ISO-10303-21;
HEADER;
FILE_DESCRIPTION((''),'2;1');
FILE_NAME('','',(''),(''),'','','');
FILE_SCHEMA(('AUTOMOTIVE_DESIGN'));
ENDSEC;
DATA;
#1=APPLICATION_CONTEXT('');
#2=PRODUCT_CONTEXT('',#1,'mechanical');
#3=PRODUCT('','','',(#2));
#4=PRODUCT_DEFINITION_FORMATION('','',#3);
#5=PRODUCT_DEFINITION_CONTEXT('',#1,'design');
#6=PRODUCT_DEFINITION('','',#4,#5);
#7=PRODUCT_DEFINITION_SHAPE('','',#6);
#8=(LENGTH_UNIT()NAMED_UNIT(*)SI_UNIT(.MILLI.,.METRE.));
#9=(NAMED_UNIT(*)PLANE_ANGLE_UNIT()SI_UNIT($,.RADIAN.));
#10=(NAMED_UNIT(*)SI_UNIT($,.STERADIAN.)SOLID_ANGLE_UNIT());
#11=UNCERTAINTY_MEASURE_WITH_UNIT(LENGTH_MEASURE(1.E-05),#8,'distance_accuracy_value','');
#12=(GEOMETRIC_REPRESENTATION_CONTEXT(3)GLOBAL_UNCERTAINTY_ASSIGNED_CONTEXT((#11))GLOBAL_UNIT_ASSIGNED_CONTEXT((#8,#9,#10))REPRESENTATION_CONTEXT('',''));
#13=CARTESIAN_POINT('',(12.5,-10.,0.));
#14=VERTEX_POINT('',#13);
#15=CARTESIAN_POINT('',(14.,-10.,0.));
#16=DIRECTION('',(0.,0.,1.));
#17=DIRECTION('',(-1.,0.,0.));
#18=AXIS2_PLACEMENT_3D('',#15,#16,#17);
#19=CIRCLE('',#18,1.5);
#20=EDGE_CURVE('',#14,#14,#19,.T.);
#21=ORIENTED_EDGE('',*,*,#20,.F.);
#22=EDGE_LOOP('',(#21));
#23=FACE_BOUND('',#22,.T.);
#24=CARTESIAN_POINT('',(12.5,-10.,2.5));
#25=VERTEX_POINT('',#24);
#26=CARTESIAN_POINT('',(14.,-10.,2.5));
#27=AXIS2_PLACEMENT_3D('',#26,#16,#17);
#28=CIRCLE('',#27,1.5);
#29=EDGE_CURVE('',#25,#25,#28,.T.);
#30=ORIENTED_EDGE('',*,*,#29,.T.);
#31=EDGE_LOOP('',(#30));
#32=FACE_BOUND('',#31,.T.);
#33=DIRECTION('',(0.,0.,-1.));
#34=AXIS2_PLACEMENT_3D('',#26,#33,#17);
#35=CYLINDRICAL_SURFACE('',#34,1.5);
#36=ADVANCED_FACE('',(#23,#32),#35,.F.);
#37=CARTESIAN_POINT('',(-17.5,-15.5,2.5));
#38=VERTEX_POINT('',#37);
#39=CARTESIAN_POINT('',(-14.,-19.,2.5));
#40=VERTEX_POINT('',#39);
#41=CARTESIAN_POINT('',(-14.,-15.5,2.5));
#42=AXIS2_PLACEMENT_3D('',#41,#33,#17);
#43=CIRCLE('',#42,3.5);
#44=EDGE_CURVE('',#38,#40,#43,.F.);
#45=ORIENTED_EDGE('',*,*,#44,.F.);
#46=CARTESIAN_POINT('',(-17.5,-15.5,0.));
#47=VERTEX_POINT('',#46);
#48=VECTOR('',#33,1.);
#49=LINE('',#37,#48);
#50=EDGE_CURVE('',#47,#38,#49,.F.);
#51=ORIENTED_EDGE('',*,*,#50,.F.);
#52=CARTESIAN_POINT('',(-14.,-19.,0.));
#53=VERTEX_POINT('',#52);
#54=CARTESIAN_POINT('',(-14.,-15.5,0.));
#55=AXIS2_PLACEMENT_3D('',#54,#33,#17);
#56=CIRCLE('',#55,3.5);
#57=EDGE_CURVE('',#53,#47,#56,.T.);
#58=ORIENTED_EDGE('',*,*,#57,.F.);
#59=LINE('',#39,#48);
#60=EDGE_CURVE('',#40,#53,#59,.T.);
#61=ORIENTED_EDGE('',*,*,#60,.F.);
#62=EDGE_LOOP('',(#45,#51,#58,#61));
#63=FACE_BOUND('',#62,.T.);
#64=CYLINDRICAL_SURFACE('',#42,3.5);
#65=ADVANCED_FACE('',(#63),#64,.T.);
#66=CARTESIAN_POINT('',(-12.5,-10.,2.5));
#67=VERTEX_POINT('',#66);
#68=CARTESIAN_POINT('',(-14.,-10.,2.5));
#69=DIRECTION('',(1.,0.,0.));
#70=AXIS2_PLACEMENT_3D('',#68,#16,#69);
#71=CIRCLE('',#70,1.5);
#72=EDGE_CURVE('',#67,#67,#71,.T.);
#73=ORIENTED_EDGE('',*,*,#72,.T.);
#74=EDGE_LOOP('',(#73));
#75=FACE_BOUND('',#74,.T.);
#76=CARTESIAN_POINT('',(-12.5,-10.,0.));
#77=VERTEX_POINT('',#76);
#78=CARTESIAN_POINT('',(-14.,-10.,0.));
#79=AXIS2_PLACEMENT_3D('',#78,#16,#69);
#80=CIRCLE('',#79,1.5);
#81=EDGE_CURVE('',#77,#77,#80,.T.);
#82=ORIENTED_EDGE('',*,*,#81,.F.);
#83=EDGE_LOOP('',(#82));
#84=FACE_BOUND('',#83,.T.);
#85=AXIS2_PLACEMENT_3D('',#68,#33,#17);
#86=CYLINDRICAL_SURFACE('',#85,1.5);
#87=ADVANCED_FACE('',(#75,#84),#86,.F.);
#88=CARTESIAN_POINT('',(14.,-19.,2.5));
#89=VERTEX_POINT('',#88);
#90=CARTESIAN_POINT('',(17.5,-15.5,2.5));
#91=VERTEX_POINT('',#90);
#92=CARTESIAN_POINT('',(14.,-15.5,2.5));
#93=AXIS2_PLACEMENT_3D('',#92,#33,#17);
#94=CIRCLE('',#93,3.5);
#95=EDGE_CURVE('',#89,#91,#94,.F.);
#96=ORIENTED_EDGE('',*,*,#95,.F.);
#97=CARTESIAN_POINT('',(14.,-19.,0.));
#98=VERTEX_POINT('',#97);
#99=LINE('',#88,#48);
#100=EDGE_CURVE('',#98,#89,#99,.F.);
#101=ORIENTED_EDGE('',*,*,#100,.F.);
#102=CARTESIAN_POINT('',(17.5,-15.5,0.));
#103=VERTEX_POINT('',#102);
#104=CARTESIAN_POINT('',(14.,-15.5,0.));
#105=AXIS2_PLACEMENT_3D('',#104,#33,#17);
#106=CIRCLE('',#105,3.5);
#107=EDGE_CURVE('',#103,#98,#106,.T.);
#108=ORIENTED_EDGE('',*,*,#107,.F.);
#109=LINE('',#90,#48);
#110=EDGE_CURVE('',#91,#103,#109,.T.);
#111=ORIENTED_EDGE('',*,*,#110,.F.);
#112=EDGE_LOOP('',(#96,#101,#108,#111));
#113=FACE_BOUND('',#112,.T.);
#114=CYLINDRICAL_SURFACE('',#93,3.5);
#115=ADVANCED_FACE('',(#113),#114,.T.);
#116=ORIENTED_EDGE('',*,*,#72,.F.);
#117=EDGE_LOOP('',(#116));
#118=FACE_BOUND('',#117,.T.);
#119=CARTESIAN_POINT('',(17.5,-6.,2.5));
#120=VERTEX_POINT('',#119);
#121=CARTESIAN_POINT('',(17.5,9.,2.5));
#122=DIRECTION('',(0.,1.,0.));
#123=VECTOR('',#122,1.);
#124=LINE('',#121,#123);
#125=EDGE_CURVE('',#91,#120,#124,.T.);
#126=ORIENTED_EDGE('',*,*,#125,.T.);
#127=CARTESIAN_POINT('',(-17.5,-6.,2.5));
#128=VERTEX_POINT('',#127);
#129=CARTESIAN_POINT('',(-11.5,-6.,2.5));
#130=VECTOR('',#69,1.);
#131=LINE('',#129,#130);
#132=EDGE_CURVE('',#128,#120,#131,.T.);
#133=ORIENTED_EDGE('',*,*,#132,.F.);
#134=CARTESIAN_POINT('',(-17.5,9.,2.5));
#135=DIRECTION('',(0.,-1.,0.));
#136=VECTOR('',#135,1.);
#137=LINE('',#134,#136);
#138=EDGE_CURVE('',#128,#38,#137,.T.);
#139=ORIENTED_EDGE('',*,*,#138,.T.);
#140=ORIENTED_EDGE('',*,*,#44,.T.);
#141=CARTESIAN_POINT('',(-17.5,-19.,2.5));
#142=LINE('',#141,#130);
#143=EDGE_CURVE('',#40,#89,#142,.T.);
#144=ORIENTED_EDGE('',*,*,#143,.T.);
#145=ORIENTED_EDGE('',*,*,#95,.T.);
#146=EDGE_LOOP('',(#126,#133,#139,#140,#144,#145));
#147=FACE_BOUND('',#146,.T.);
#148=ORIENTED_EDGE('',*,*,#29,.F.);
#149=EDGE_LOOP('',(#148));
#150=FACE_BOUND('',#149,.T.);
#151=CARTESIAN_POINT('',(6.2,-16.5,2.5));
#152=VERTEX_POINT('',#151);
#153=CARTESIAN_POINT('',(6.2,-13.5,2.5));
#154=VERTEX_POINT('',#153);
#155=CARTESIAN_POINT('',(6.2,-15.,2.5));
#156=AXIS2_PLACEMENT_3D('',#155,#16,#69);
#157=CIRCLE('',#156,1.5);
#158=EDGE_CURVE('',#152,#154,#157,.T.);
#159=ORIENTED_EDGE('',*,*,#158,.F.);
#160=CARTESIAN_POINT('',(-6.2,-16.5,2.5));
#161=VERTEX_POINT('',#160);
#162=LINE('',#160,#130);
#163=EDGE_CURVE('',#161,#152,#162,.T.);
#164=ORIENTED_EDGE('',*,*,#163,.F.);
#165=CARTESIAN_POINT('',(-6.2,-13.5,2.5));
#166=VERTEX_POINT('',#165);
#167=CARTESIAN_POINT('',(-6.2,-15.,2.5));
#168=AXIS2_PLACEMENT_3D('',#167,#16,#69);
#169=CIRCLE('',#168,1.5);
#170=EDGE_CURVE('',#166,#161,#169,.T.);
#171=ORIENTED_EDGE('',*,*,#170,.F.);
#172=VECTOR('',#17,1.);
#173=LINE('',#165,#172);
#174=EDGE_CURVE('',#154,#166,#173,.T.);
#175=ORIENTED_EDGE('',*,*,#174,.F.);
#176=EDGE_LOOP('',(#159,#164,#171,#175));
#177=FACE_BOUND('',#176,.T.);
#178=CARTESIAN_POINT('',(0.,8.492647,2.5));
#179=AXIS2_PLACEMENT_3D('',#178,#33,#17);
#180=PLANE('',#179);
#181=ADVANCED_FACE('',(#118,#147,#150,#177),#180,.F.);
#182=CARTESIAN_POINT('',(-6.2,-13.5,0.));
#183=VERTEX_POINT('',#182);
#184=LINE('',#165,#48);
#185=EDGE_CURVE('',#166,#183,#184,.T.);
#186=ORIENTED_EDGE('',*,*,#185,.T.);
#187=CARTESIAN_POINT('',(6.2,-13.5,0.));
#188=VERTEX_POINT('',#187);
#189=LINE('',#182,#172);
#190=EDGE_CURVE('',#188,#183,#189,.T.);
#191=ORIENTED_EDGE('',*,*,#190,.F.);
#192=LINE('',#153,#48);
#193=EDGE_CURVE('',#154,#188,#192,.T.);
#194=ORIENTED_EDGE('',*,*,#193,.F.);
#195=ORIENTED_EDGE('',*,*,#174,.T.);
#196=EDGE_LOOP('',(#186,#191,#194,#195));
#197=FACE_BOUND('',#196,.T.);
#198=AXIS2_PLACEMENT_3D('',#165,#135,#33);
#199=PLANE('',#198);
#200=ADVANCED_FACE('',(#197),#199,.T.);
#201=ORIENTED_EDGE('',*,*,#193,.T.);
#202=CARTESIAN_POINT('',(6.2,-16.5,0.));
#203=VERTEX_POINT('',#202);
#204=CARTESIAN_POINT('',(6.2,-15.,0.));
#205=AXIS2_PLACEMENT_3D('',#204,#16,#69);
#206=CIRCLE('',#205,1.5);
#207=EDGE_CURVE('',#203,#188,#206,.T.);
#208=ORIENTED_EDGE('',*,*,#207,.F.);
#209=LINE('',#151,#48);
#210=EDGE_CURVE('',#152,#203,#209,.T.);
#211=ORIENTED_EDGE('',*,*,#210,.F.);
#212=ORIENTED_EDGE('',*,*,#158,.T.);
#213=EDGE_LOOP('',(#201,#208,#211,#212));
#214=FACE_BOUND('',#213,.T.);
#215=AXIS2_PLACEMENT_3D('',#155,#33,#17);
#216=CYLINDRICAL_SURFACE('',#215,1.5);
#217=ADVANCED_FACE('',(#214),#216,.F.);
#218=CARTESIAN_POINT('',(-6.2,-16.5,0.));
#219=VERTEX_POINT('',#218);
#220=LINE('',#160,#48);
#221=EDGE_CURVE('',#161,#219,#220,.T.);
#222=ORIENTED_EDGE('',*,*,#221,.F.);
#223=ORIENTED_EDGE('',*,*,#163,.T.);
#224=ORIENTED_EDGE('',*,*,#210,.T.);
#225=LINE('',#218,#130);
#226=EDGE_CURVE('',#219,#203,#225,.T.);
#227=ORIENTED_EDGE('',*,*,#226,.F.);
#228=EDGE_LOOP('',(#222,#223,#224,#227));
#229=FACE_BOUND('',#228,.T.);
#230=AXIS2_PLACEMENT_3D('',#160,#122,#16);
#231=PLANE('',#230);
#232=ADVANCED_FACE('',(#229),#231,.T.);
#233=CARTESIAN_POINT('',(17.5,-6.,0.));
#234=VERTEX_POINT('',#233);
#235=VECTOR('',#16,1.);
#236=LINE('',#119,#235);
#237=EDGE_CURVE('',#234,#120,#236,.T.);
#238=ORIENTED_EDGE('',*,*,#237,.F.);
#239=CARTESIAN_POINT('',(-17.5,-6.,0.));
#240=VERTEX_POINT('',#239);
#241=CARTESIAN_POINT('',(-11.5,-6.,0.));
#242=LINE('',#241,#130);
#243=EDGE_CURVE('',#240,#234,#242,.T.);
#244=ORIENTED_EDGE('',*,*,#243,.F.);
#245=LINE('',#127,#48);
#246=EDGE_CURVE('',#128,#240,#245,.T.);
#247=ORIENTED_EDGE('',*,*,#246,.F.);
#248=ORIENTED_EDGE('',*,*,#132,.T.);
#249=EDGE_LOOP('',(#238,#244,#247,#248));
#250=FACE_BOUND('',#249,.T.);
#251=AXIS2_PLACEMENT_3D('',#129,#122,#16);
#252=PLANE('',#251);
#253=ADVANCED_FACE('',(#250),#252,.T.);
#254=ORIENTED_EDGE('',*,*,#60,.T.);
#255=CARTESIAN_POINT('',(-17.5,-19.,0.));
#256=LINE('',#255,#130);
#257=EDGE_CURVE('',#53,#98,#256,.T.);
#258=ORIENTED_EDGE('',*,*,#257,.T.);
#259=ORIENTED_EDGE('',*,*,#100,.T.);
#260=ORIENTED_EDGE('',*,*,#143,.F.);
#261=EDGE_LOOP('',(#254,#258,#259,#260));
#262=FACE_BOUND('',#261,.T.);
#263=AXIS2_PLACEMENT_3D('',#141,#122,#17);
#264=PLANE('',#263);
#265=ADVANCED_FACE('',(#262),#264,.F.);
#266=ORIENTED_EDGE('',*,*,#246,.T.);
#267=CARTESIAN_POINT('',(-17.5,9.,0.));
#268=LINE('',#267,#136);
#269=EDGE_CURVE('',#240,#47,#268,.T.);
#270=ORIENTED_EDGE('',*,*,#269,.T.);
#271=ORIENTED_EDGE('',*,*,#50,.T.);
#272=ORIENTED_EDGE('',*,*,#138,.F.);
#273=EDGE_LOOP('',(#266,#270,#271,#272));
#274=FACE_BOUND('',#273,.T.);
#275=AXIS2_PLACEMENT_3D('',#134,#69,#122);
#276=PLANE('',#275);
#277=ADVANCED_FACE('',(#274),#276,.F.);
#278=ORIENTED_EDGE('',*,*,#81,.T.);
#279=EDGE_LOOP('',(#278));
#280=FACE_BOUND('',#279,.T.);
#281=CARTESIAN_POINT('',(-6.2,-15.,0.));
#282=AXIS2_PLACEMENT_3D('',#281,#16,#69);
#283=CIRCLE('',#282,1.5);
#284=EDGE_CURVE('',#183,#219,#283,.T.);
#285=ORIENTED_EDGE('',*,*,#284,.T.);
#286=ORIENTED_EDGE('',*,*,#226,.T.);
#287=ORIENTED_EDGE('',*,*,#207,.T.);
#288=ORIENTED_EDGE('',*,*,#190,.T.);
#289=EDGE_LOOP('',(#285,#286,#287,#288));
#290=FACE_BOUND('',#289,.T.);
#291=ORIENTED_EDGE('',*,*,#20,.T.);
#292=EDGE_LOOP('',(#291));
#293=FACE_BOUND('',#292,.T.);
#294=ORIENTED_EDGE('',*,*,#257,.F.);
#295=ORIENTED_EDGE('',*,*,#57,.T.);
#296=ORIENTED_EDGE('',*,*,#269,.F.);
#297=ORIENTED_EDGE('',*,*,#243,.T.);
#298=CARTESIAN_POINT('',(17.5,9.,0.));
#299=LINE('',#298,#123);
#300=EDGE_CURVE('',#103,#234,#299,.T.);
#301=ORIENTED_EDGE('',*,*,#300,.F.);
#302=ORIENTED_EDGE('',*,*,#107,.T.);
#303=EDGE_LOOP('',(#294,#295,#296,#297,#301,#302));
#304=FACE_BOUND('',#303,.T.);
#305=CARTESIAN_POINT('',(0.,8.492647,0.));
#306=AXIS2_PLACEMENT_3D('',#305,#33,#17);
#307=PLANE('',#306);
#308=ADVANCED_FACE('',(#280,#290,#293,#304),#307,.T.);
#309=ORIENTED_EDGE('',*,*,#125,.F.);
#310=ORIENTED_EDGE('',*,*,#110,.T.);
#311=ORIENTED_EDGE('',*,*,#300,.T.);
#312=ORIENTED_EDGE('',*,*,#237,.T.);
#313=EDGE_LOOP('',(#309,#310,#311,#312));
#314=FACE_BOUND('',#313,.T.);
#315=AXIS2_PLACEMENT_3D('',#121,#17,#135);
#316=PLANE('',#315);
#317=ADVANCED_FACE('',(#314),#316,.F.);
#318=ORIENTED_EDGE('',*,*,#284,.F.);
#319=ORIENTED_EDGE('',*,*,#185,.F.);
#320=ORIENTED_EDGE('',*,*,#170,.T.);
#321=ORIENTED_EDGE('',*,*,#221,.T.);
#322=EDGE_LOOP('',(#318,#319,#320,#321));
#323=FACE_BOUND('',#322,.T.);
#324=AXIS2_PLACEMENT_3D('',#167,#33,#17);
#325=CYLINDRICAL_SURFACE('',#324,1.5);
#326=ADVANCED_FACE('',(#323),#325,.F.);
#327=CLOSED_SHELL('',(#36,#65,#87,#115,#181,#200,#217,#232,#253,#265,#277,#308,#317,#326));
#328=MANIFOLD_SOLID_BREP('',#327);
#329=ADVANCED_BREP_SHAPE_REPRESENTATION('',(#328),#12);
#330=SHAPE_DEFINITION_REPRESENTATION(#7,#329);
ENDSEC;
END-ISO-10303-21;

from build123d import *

# Parameters (mm, degrees)
SKETCH1_R           = 1
SKETCH1_R_2         = 1.5
SKETCH1_R_3         = 2
SKETCH1_W           = 23
SKETCH1_H           = 12
BOSS_EXTRUDE1_DEPTH = 2.5
FILLET1_R           = 3.5
SKETCH2_W           = 57.93350489
SKETCH2_H           = 33.625772429
CUT_EXTRUDE1_DEPTH  = 10


with BuildPart() as part:
    # Sketch1 → Boss-Extrude1 (new body)
    with BuildSketch(Plane.XY):
        with BuildLine():
            Line((-17.5, 9), (-17.5, -19))
            Line((-17.5, -19), (17.5, -19))
            Line((17.5, -19), (17.5, 9))
            ThreePointArc((17.5, 9), (0, 26), (-17.5, 9))
        make_face()
        with Locations((-14, 0)):
            Circle(SKETCH1_R, mode=Mode.SUBTRACT)
        with Locations((-14, -10)):
            Circle(SKETCH1_R_2, mode=Mode.SUBTRACT)
        with Locations((-8.5, 16)):
            Circle(SKETCH1_R_3, mode=Mode.SUBTRACT)
        with Locations((14, -10)):
            Circle(SKETCH1_R_2, mode=Mode.SUBTRACT)
        with Locations((14, 0)):
            Circle(SKETCH1_R, mode=Mode.SUBTRACT)
        with Locations((8.5, 16)):
            Circle(SKETCH1_R_3, mode=Mode.SUBTRACT)
        Rectangle(SKETCH1_W, SKETCH1_H, mode=Mode.SUBTRACT)
        with BuildLine():
            Line((-6.2, -13.5), (6.2, -13.5))
            ThreePointArc((6.2, -13.5), (7.7, -15), (6.2, -16.5))
            Line((6.2, -16.5), (-6.2, -16.5))
            ThreePointArc((-6.2, -16.5), (-7.7, -15), (-6.2, -13.5))
        make_face(mode=Mode.SUBTRACT)
    extrude(amount=BOSS_EXTRUDE1_DEPTH)

    # Fillet1
    fillet1_edges = [part.edges().sort_by_distance(p)[0] for p in [
        (17.5, -19, 1.25),
        (-17.5, -19, 1.25),
    ]]
    fillet(fillet1_edges, radius=FILLET1_R)

    # Sketch2 → Cut-Extrude1 (cut)
    with BuildSketch(Plane.XY.offset(2.5)):
        with Locations((-1.18759747, 10.812886215)):
            Rectangle(SKETCH2_W, SKETCH2_H)
    extrude(amount=-CUT_EXTRUDE1_DEPTH, mode=Mode.SUBTRACT)


solid = part.part
